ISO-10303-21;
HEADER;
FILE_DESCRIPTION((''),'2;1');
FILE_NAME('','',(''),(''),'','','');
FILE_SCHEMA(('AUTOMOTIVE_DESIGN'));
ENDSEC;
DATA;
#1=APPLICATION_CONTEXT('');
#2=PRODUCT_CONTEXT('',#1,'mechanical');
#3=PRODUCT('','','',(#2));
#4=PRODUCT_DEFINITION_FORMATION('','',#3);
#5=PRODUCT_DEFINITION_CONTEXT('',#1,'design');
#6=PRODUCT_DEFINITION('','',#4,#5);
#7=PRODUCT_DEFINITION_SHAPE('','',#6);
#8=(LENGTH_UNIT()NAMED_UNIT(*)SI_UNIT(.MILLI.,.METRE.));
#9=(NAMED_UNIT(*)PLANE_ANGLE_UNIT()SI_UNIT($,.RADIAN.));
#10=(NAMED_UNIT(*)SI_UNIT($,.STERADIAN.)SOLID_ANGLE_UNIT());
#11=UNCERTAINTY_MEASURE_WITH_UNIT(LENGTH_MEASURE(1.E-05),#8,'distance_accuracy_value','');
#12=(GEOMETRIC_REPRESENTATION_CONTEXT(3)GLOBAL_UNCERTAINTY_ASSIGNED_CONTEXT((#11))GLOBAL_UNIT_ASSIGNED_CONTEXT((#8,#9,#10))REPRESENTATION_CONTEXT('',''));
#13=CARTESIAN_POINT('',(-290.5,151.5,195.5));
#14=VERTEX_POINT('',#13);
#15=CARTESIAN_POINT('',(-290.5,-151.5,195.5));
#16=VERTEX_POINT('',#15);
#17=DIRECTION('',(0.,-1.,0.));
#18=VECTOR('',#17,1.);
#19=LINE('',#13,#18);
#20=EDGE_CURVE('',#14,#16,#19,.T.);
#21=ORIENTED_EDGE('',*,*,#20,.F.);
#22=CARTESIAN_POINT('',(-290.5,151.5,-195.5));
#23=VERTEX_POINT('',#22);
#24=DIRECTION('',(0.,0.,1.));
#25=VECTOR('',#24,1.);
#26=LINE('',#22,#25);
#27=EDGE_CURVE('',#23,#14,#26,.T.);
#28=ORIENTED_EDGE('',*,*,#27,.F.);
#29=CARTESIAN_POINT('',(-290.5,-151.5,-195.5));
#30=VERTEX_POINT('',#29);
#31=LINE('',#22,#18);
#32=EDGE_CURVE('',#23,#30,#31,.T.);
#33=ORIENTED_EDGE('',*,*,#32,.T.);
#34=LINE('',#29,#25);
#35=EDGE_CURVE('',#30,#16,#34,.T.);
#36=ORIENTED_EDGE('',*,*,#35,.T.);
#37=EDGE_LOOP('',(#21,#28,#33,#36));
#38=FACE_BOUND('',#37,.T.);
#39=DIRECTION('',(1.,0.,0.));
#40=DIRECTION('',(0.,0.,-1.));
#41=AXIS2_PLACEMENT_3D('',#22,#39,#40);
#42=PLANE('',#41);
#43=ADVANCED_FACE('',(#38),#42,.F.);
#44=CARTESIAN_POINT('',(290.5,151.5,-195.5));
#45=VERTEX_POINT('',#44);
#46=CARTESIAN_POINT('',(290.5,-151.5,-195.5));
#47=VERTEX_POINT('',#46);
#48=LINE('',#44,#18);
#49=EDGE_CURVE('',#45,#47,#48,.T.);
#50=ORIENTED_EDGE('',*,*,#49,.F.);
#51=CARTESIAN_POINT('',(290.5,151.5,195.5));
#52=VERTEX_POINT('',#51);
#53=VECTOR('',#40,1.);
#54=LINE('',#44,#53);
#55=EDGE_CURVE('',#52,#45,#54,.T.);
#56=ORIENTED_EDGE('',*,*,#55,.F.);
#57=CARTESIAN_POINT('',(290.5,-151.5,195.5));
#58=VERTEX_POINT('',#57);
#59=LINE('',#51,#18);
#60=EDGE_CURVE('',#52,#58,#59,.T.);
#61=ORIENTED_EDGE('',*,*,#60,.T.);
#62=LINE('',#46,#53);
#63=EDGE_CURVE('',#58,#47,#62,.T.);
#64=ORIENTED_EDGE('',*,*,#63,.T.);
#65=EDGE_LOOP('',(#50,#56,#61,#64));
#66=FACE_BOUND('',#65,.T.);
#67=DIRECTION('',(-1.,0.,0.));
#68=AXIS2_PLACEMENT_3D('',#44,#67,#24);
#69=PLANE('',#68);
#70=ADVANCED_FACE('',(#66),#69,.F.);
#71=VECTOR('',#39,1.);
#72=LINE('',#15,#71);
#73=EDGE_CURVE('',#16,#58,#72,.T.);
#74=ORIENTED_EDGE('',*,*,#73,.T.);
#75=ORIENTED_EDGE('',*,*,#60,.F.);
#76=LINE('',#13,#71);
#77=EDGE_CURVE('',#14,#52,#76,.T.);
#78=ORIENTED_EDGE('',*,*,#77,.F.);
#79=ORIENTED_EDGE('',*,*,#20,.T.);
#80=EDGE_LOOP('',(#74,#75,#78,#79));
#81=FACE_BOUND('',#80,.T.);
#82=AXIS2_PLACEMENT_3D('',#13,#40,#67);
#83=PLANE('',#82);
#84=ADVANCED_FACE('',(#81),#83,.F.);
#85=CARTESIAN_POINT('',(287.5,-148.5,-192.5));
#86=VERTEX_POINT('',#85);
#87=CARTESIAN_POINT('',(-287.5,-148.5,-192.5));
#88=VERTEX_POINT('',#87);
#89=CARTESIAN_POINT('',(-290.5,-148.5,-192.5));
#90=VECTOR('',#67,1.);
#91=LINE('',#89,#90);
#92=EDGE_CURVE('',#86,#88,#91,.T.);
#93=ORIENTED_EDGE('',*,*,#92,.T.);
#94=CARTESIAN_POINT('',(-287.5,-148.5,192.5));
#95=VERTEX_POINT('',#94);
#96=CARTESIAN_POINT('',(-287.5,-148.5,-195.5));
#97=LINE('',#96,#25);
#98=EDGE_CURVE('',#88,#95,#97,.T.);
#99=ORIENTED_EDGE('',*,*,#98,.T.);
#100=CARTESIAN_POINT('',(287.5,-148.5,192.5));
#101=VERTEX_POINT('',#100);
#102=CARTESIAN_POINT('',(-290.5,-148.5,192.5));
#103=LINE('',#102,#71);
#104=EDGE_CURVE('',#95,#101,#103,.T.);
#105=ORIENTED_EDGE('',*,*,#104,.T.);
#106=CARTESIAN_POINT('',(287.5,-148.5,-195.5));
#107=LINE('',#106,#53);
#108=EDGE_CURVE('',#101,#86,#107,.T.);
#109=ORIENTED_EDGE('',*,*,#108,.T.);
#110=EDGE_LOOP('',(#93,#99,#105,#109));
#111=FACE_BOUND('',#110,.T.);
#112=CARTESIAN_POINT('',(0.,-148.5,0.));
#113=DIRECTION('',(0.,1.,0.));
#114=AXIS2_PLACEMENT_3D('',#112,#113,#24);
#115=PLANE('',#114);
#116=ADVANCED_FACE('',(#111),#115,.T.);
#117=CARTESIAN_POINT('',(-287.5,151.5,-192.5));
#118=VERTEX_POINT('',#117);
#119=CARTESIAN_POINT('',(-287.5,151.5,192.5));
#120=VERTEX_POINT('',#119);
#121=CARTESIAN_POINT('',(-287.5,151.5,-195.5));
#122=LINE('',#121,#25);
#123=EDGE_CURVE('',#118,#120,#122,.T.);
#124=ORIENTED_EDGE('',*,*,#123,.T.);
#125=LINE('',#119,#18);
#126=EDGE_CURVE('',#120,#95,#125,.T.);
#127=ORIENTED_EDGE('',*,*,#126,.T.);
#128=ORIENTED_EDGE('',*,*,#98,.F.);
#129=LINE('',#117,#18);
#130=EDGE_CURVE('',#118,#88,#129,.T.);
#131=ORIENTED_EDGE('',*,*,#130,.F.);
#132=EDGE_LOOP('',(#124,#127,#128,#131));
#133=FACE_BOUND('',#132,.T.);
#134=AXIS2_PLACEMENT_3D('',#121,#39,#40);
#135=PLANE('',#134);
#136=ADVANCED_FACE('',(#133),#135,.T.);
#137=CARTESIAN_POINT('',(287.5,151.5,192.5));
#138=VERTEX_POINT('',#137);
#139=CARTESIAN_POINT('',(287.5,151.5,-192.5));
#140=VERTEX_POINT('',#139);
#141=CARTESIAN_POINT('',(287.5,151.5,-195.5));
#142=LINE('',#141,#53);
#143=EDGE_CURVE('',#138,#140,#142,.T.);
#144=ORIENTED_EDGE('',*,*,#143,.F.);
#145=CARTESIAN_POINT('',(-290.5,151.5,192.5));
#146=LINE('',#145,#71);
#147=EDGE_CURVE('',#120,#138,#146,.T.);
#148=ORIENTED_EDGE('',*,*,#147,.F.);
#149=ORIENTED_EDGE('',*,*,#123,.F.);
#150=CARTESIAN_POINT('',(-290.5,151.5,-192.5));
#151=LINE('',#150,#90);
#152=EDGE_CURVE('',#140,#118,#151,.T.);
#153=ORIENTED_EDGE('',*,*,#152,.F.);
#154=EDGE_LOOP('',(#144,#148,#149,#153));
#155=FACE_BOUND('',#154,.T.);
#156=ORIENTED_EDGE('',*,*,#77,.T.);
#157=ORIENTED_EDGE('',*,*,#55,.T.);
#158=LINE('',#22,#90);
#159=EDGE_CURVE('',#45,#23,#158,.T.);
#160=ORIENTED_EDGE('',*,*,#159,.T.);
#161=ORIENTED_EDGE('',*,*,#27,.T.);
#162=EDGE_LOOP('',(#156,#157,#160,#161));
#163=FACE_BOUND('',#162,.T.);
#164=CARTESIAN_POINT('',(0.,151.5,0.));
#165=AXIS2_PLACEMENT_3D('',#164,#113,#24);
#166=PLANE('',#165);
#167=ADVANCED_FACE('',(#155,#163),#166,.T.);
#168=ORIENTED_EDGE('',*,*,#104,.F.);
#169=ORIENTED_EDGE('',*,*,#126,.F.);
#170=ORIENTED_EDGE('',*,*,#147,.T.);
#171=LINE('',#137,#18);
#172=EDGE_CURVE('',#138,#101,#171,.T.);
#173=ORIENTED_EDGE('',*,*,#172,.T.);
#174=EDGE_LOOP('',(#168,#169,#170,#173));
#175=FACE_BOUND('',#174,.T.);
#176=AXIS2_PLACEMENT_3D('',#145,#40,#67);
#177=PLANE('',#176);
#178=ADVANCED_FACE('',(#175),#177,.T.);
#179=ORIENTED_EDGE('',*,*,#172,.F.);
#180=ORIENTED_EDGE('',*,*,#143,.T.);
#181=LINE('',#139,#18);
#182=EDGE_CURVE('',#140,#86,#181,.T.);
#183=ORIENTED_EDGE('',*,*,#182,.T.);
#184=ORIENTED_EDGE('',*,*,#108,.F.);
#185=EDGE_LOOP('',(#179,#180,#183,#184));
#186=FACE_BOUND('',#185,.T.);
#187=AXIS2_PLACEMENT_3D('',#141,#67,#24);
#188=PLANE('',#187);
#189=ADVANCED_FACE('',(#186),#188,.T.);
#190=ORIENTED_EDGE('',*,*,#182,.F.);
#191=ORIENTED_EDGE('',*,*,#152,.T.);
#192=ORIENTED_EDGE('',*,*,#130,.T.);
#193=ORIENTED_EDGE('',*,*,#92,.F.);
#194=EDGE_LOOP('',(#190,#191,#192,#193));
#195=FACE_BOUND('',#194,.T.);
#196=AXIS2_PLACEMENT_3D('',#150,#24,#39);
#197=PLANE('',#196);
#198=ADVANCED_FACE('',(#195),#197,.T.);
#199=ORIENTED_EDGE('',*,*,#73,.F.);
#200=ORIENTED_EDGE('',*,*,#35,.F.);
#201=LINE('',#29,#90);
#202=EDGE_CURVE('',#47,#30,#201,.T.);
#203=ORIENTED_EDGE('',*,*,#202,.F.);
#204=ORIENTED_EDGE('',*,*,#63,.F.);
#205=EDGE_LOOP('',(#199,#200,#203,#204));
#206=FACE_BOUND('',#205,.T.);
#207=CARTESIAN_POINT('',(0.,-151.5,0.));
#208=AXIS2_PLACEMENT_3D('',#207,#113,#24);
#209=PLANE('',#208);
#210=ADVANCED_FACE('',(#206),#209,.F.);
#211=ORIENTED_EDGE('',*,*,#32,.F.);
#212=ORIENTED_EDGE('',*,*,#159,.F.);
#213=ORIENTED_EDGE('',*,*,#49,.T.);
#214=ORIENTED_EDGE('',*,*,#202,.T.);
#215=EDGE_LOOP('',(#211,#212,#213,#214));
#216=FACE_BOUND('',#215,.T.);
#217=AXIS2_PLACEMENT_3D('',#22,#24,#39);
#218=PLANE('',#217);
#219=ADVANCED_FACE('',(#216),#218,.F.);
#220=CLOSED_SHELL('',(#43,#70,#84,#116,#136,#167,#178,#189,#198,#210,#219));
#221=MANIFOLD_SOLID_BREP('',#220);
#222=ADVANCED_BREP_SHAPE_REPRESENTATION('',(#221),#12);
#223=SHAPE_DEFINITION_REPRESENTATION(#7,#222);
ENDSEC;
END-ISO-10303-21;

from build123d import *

# Parameters (mm, degrees)
SKETCH1_W           = 581
SKETCH1_H           = 391
BOSS_EXTRUDE1_DEPTH = 151.5
SHELL1_T            = -3


with BuildPart() as part:
    # Sketch1 → Boss-Extrude1 (new, symmetric)
    with BuildSketch(Plane(origin=(0, 0, 0), x_dir=(1, 0, 0), z_dir=(0, 1, 0))):
        Rectangle(SKETCH1_W, SKETCH1_H)
    extrude(amount=BOSS_EXTRUDE1_DEPTH, both=True)

    # Shell1
    shell1_openings = [part.faces().sort_by_distance(p)[0] for p in [
        (0, 151.5, 0),
    ]]
    offset(amount=SHELL1_T, openings=shell1_openings, kind=Kind.INTERSECTION)


solid = part.part
